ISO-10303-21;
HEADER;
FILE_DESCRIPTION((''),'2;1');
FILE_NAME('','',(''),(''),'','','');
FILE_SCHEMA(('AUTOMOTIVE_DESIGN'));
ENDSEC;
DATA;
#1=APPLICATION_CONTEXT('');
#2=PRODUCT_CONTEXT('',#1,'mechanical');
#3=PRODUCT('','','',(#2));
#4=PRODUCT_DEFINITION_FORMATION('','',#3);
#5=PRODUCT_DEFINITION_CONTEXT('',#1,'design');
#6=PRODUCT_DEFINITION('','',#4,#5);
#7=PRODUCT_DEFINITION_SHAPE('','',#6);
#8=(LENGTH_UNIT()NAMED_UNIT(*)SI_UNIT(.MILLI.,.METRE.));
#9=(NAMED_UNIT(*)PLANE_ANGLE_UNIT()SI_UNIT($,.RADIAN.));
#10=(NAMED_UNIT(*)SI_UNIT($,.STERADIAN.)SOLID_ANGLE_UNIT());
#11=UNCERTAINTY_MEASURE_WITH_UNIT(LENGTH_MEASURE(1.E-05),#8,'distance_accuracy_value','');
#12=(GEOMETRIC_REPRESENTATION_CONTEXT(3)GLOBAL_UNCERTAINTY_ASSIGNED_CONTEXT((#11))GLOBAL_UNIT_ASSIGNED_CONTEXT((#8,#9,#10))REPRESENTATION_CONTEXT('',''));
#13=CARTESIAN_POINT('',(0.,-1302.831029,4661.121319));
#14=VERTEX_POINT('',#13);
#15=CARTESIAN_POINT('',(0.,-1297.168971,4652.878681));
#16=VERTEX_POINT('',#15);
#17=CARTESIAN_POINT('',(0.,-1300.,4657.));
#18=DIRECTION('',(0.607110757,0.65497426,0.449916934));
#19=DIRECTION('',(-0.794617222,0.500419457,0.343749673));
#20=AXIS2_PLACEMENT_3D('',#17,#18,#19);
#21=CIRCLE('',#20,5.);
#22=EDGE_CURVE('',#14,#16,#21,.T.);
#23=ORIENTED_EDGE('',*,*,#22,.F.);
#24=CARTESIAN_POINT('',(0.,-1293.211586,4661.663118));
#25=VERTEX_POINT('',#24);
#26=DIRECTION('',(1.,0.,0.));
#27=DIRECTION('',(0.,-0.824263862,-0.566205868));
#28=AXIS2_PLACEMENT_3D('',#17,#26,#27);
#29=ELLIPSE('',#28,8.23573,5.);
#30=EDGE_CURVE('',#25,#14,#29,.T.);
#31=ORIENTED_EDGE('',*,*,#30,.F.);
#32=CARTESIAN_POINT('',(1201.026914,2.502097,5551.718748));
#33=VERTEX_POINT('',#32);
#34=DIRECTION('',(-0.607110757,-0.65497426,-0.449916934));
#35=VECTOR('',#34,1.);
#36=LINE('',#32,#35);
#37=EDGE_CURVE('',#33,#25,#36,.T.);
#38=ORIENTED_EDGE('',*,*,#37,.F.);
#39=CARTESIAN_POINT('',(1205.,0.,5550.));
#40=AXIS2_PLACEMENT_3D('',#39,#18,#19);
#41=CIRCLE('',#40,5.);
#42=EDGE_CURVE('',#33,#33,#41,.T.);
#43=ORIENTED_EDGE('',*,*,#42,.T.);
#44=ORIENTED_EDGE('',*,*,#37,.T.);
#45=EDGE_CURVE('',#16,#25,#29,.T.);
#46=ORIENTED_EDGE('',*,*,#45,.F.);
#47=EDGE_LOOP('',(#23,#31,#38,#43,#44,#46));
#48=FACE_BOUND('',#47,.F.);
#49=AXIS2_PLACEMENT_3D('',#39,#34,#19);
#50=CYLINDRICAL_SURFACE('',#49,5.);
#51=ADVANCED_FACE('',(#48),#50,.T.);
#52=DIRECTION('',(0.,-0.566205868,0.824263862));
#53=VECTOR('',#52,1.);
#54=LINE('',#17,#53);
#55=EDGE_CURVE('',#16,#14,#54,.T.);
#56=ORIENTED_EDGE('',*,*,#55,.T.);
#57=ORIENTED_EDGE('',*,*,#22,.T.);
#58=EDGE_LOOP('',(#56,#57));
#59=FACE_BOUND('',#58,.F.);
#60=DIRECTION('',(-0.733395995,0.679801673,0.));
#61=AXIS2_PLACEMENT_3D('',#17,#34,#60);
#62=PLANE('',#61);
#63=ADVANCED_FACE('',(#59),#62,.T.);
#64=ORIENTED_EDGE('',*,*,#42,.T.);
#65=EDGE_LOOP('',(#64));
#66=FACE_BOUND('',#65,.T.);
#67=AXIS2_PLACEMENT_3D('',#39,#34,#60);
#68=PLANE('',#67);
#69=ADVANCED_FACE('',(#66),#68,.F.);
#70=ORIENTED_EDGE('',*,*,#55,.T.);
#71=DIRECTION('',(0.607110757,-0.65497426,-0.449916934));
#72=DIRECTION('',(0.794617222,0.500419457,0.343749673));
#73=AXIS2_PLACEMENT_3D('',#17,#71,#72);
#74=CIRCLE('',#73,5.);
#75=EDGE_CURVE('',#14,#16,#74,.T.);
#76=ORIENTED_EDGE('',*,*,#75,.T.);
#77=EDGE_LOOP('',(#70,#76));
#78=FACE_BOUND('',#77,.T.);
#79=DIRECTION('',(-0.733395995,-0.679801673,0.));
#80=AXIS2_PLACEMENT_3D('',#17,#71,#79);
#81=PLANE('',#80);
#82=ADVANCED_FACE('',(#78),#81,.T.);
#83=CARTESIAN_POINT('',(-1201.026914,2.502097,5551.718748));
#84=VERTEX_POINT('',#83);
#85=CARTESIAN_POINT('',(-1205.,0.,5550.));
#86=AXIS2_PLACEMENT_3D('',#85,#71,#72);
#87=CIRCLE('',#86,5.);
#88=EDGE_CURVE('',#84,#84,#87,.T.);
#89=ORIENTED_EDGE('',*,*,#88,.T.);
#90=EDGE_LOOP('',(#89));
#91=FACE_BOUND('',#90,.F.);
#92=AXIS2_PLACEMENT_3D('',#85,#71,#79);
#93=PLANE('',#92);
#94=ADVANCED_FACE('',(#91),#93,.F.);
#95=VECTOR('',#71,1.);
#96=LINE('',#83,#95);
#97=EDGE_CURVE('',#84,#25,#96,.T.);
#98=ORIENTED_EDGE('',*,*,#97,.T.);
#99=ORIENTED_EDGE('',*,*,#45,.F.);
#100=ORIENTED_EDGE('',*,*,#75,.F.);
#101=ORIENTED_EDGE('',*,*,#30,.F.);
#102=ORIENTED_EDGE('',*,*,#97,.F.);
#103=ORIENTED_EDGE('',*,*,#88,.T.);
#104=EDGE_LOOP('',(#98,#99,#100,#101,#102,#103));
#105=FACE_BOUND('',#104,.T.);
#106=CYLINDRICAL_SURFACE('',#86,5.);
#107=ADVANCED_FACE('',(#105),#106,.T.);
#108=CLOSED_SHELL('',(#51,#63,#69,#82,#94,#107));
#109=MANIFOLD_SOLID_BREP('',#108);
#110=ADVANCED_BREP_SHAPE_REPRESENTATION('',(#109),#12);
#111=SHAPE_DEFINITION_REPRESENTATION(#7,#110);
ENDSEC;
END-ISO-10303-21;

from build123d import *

# Parameters (mm, degrees)
F9_R = 5


with BuildPart() as f10:
    # F10: sweep along a path in F7
    with BuildLine(Plane(origin=(-648.1329715709, -600.7694082638, 0), x_dir=(-0.6798016726, 0.7333959953, 0), z_dir=(0.7333959953, 0.6798016726, 0))) as f10_path:
        Line((819.1610154647, 5550), (-953.4147939156, 4657))
    # F9 (on line) → F10 (sweep)
    with BuildSketch(Plane(origin=(-1960.1223094758, 2114.6547737084, 1452.6051637858), x_dir=(0.7946172218, 0.500419457, 0.3437496732), z_dir=(0.6071107566, -0.6549742602, -0.4499169341))):
        with Locations((950.2969338457, 4574.6644352995)):
            Circle(F9_R)
    sweep(path=f10_path.line)

    # F11: F10 across plane


with BuildPart() as f10_1:
    add(f10.part)
    add(f10.part.mirror(Plane.YZ))


solid = f10_1.part
